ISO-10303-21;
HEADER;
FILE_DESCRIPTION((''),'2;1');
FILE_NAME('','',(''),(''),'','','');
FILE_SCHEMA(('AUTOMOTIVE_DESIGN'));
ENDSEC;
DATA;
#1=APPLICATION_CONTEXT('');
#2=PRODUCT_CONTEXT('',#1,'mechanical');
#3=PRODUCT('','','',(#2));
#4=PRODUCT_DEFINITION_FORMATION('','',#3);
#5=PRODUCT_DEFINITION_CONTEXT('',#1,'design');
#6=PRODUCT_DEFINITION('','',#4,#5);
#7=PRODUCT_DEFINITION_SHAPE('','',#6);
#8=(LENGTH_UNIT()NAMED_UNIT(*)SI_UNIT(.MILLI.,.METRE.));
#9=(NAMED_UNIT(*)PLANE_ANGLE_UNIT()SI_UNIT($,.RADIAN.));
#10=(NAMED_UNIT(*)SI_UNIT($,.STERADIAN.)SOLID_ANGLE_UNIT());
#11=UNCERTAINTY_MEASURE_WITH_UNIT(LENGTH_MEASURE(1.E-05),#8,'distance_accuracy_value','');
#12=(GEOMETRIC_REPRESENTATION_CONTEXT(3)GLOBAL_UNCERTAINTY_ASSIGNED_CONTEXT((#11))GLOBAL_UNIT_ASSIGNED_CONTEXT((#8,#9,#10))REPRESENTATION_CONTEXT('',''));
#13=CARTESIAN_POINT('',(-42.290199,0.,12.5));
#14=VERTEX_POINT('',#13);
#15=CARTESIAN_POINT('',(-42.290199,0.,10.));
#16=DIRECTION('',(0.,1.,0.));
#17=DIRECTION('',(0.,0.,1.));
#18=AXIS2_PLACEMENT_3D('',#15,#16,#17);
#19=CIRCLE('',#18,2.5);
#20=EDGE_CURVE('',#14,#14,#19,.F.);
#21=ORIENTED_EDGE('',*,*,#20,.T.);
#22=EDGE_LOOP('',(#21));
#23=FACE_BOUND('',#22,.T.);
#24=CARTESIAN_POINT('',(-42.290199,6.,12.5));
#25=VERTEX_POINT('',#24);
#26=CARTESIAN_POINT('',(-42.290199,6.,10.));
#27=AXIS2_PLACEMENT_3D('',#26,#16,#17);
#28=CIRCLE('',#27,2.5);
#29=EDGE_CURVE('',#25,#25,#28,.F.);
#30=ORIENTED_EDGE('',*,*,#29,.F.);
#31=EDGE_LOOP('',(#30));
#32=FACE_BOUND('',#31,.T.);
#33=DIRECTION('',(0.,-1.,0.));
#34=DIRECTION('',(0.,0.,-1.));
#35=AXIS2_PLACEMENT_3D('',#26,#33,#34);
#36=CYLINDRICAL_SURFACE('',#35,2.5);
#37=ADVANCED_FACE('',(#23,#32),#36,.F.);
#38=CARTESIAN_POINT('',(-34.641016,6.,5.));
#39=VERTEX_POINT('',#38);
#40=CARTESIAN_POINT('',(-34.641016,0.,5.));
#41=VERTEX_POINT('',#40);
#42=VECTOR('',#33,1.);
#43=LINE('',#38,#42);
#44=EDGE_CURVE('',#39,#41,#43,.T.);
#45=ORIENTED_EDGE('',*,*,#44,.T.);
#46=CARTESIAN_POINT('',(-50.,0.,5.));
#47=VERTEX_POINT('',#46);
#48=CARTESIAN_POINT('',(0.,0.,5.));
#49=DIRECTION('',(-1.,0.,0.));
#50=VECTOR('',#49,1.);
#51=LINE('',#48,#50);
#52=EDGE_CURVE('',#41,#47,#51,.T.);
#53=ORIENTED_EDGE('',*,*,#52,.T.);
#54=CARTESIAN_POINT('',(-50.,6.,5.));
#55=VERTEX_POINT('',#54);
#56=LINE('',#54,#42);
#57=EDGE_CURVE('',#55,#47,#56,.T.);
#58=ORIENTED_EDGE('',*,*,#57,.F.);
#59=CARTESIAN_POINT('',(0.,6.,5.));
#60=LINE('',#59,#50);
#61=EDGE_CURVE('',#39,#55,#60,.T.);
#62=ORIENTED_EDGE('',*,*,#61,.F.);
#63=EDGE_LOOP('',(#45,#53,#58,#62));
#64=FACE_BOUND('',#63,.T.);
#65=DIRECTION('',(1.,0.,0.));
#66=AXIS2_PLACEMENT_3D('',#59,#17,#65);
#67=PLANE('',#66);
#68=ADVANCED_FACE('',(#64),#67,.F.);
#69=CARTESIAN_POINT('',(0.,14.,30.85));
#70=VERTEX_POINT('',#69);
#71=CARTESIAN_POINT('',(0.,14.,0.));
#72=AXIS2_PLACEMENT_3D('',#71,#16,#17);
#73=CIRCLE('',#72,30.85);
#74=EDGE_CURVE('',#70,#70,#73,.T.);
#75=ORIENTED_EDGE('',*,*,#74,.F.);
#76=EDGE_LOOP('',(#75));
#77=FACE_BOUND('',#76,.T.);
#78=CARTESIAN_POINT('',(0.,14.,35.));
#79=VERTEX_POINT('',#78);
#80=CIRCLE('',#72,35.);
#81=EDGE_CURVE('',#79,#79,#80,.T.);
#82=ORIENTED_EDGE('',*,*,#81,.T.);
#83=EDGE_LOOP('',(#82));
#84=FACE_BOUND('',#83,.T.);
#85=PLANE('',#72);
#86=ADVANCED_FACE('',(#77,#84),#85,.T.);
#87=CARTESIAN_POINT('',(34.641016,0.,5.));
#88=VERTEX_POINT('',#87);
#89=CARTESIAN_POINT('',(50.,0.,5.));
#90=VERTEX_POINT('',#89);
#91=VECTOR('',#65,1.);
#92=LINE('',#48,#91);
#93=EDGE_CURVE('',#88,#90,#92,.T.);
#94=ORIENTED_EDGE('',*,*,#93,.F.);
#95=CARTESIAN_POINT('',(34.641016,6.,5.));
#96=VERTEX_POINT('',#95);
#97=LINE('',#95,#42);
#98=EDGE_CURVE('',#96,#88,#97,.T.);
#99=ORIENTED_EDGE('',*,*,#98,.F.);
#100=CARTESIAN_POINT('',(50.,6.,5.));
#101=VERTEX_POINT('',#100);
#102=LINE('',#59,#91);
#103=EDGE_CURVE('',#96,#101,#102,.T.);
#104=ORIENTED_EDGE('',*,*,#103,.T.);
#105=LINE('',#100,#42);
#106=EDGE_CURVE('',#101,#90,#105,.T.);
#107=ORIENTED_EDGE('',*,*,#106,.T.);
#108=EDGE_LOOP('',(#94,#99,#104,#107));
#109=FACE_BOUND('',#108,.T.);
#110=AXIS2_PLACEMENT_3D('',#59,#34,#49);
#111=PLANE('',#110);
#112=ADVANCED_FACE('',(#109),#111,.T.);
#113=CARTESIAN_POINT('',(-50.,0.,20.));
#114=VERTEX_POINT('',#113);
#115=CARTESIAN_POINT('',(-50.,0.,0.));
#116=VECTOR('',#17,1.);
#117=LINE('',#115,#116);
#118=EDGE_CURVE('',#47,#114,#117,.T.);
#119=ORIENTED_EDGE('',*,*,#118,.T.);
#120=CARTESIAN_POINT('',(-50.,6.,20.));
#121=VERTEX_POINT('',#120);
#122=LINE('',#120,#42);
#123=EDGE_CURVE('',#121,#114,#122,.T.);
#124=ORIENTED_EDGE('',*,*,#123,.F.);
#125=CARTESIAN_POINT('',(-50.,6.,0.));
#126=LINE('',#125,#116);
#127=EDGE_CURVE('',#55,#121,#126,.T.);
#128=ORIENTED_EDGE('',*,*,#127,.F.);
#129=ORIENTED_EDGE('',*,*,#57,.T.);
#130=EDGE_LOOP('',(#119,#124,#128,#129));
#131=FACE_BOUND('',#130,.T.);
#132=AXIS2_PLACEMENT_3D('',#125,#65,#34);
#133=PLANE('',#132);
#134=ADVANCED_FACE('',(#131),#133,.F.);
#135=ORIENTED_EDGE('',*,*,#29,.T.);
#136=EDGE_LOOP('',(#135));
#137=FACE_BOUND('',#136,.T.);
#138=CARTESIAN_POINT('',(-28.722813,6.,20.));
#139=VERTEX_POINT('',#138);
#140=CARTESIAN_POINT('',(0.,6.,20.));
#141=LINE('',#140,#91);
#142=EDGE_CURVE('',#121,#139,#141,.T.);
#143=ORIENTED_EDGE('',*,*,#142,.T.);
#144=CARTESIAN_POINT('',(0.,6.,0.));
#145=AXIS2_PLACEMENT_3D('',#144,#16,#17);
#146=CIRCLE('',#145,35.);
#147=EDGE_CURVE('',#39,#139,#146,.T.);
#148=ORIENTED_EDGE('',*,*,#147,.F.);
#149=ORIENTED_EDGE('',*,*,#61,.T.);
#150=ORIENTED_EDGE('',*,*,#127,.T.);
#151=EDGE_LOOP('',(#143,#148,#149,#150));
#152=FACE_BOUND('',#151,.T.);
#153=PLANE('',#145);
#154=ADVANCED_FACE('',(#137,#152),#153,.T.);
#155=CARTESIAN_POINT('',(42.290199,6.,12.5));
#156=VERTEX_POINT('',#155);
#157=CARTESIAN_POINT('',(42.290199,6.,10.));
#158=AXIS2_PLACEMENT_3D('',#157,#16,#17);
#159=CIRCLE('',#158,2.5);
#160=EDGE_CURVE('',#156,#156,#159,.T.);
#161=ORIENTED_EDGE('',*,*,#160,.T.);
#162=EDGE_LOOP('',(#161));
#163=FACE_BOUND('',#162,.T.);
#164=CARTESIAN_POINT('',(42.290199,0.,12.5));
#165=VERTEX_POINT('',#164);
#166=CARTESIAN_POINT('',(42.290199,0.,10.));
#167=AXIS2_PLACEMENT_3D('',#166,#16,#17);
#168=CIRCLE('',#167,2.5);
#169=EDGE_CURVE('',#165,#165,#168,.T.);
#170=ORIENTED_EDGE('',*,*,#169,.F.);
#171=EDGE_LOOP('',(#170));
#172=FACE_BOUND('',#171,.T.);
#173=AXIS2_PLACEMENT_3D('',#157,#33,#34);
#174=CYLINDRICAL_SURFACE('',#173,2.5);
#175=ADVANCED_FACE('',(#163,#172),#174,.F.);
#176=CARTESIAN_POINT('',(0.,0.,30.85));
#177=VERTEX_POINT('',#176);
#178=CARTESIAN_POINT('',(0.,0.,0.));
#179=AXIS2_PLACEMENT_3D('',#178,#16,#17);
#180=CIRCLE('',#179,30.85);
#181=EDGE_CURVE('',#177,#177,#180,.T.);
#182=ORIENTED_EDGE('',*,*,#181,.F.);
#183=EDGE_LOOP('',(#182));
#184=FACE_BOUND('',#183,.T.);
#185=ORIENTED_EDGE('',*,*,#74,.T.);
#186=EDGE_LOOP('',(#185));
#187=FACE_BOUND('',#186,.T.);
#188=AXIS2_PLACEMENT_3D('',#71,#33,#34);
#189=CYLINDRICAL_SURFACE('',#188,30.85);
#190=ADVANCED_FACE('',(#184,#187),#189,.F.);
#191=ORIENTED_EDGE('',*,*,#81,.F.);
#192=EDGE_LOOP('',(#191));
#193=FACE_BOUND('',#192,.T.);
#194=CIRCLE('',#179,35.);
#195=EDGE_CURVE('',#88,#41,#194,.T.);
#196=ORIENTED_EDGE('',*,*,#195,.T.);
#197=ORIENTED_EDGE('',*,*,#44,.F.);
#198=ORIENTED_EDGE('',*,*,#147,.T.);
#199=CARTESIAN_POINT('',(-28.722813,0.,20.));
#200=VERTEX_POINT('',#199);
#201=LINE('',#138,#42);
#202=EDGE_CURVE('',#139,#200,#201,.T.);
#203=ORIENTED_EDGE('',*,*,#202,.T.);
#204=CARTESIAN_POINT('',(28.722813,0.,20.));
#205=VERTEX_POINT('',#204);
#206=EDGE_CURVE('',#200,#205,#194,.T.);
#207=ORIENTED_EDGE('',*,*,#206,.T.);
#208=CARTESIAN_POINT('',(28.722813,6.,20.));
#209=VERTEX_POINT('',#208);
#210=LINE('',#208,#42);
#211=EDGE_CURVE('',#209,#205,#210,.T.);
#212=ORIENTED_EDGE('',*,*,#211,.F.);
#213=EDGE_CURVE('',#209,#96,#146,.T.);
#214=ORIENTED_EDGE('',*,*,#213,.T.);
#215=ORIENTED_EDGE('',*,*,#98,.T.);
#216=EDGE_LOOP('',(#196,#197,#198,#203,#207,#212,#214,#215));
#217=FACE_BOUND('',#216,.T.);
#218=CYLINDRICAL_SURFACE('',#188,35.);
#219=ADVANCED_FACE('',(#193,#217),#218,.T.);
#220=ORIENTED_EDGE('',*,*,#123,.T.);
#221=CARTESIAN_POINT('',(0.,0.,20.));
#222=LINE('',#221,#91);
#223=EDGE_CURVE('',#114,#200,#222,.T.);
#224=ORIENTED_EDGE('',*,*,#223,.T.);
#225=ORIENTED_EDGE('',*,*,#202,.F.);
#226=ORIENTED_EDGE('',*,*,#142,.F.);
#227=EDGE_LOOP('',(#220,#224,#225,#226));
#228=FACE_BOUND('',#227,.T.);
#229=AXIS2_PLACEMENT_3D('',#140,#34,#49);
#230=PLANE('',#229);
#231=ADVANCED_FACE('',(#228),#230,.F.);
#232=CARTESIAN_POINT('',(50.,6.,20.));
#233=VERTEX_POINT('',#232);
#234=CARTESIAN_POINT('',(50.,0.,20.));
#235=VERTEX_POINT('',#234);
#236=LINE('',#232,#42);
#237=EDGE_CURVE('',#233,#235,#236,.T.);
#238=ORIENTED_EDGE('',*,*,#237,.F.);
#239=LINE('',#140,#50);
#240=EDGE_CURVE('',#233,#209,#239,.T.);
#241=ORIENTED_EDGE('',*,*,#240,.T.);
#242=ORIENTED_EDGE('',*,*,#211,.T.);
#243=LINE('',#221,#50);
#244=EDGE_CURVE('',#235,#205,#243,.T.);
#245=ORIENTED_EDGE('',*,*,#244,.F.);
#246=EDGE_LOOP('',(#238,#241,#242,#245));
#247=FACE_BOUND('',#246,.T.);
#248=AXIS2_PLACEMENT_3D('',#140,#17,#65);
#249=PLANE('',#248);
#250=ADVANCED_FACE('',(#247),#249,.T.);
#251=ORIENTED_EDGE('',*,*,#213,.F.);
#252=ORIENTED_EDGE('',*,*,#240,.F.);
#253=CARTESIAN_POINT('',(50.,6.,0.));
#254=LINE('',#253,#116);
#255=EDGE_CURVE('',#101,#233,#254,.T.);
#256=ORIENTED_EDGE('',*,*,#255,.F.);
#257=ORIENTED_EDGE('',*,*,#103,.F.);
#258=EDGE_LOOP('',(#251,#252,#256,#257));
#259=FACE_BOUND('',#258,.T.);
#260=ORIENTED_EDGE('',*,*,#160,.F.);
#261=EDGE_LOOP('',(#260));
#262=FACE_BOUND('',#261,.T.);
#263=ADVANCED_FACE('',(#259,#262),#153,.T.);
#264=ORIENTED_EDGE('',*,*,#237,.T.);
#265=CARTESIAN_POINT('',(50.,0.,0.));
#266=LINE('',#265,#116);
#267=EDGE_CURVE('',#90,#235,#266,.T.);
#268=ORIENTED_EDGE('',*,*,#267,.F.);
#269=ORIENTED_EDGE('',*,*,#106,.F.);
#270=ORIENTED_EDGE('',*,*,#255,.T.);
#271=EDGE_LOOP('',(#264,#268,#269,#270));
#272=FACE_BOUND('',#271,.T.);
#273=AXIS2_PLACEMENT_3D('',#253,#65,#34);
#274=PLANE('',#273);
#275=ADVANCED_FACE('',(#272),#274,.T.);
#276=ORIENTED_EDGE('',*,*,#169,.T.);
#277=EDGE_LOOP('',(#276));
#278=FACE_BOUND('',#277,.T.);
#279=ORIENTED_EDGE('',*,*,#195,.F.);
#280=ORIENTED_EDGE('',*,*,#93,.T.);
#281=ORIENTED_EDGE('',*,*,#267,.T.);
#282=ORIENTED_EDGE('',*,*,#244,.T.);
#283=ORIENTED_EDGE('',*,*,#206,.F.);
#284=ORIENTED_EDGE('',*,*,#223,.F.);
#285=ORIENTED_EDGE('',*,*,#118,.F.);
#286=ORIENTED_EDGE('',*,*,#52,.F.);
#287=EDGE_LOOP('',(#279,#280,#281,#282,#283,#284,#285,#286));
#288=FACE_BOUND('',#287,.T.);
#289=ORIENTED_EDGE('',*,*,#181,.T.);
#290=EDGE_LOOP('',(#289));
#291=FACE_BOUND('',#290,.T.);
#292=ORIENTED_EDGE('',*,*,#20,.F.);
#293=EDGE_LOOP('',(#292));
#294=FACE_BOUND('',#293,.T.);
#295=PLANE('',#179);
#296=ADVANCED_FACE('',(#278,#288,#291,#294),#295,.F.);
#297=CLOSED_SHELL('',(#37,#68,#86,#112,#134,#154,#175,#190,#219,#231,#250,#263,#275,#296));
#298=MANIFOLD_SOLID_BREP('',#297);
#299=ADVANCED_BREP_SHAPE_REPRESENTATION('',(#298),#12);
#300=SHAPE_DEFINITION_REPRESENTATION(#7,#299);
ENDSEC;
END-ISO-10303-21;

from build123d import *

# Parameters (mm, degrees)
SKETCH_1_R      = 30.85
EXTRUDE_1_DEPTH = 14
SKETCH_1_3_R    = 2.5
EXTRUDE_2_DEPTH = 6
SKETCH_1_4_R    = 2.5
EXTRUDE_3_DEPTH = 6


with BuildPart() as part:
    # 草图1 → 凸台-拉伸1 (new body)
    with BuildSketch(Plane(origin=(0, 0, 0), x_dir=(1, 0, 0), z_dir=(0, 1, 0))):
        with BuildLine():
            ThreePointArc((34.641016151, -5), (34.91013868, -2.506435188), (35, 0))
            ThreePointArc((35, 0), (0, 35), (-35, 0))
            ThreePointArc((-35, 0), (-34.91013868, -2.506435188), (-34.641016151, -5))
            ThreePointArc((-34.641016151, -5), (-32.557544726, -12.845477081), (-28.722813233, -20))
            ThreePointArc((-28.722813233, -20), (-26.7260394, -22.599088876), (-24.494897428, -25))
            ThreePointArc((-24.494897428, -25), (0, -35), (24.494897428, -25))
            ThreePointArc((24.494897428, -25), (26.7260394, -22.599088876), (28.722813233, -20))
            ThreePointArc((28.722813233, -20), (32.557544726, -12.845477081), (34.641016151, -5))
        make_face()
        Circle(SKETCH_1_R, mode=Mode.SUBTRACT)
    extrude(amount=EXTRUDE_1_DEPTH)

    # 草图1<3> → 凸台-拉伸2 (add)
    with BuildSketch(Plane(origin=(0, 0, 0), x_dir=(1, 0, 0), z_dir=(0, 1, 0))):
        with BuildLine():
            Line((50, -5), (34.641016151, -5))
            ThreePointArc((34.641016151, -5), (32.557544726, -12.845477081), (28.722813233, -20))
            Line((28.722813233, -20), (50, -20))
            Line((50, -20), (50, -5))
        make_face()
        with Locations((42.290199458, -10)):
            Circle(SKETCH_1_3_R, mode=Mode.SUBTRACT)
    extrude(amount=EXTRUDE_2_DEPTH)

    # 草图1<4> → 凸台-拉伸3 (add)
    with BuildSketch(Plane(origin=(0, 0, 0), x_dir=(1, 0, 0), z_dir=(0, 1, 0))):
        with BuildLine():
            ThreePointArc((-28.722813233, -20), (-32.557544726, -12.845477081), (-34.641016151, -5))
            Line((-34.641016151, -5), (-50, -5))
            Line((-50, -5), (-50, -20))
            Line((-50, -20), (-28.722813233, -20))
        make_face()
        with Locations((-42.290199458, -10)):
            Circle(SKETCH_1_4_R, mode=Mode.SUBTRACT)
    extrude(amount=EXTRUDE_3_DEPTH)


solid = part.part
